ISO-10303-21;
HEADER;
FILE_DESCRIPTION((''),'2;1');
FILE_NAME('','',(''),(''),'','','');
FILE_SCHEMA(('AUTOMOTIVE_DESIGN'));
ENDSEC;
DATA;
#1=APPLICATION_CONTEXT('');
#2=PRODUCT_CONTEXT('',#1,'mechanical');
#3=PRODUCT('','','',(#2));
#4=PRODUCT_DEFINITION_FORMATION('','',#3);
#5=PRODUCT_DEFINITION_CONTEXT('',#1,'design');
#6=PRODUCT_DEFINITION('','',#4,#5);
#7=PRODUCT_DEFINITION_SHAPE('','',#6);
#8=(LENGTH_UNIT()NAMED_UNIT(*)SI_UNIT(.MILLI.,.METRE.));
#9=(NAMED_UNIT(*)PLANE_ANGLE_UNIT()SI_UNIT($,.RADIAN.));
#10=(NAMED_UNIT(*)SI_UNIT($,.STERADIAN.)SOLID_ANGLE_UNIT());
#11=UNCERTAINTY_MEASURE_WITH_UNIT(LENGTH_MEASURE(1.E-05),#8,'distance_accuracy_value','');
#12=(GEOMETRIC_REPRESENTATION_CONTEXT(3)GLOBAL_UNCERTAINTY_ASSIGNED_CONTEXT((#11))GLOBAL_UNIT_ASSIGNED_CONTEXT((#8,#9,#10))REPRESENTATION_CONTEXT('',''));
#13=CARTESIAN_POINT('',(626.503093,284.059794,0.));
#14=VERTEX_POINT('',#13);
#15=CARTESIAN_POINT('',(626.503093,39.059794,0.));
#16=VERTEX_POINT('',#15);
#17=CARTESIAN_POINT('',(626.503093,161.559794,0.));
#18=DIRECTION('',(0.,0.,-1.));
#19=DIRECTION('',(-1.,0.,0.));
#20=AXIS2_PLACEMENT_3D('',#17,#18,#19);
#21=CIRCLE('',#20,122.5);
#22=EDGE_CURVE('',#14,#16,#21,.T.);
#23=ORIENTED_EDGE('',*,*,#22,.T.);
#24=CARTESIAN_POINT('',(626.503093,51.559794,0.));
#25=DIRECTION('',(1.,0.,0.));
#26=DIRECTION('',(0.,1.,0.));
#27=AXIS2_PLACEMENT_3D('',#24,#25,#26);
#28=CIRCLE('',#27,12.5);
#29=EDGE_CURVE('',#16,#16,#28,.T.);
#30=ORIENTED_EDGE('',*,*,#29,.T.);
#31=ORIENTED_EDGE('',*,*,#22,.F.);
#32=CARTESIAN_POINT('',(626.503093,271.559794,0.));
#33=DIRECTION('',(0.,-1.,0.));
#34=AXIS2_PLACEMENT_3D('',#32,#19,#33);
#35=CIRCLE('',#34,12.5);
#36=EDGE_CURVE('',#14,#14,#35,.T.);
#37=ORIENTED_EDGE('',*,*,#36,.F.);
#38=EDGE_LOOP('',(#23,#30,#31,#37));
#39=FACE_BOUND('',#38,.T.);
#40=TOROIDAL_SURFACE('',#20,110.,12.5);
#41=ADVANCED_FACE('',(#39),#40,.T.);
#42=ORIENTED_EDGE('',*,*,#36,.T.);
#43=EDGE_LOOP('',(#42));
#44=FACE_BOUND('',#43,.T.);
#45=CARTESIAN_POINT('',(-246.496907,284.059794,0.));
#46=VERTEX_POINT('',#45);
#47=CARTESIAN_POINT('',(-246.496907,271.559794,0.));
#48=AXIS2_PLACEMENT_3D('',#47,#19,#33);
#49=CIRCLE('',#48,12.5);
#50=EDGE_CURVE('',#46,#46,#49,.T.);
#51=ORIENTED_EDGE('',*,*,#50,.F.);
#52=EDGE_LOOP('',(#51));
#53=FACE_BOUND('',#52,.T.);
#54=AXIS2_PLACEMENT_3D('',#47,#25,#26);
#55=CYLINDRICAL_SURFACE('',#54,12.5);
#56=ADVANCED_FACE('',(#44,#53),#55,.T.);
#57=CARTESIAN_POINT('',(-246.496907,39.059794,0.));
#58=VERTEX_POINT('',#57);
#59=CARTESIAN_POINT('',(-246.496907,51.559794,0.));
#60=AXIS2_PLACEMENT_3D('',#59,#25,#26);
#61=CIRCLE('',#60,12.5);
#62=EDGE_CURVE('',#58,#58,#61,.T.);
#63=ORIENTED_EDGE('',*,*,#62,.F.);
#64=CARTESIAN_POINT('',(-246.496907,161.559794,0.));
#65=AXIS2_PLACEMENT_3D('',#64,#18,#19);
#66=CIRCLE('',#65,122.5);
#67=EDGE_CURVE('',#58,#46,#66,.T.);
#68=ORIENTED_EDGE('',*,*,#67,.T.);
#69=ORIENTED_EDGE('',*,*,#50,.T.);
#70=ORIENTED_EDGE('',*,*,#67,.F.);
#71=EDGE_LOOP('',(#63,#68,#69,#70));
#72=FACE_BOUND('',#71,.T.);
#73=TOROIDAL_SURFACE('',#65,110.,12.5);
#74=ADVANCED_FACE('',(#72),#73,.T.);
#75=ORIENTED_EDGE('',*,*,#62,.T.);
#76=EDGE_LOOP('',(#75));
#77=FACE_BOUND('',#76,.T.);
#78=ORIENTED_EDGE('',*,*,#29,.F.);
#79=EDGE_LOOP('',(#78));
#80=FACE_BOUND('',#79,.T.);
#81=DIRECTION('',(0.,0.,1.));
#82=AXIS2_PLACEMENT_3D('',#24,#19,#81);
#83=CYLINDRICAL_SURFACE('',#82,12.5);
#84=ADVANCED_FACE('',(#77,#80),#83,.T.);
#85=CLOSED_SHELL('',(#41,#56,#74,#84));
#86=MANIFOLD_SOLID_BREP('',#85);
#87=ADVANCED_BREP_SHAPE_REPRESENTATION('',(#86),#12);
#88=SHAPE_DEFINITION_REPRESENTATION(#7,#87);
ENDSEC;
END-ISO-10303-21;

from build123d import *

# Parameters (mm, degrees)
SWEEP2_PROFILE_R = 12.5


with BuildPart() as part:
    # Sweep2: sweep along a path in Sketch1
    with BuildLine(Plane.XY) as sweep2_path:
        Line((-246.496907216, 271.559793814), (626.503092784, 271.559793814))
        ThreePointArc((626.503092784, 271.559793814), (736.503092784, 161.559793814), (626.503092784, 51.559793814))
        Line((626.503092784, 51.559793814), (-246.496907216, 51.559793814))
        ThreePointArc((-246.496907216, 51.559793814), (-356.496907216, 161.559793814), (-246.496907216, 271.559793814))
    # Sweep2 profile (on start of the path) → Sweep2 (sweep)
    with BuildSketch(Plane(origin=(-246.496907216, 271.559793814, 0), x_dir=(0, 1, 0), z_dir=(1, 0, 0))):
        Circle(SWEEP2_PROFILE_R)
    sweep(path=sweep2_path.line)


solid = part.part
